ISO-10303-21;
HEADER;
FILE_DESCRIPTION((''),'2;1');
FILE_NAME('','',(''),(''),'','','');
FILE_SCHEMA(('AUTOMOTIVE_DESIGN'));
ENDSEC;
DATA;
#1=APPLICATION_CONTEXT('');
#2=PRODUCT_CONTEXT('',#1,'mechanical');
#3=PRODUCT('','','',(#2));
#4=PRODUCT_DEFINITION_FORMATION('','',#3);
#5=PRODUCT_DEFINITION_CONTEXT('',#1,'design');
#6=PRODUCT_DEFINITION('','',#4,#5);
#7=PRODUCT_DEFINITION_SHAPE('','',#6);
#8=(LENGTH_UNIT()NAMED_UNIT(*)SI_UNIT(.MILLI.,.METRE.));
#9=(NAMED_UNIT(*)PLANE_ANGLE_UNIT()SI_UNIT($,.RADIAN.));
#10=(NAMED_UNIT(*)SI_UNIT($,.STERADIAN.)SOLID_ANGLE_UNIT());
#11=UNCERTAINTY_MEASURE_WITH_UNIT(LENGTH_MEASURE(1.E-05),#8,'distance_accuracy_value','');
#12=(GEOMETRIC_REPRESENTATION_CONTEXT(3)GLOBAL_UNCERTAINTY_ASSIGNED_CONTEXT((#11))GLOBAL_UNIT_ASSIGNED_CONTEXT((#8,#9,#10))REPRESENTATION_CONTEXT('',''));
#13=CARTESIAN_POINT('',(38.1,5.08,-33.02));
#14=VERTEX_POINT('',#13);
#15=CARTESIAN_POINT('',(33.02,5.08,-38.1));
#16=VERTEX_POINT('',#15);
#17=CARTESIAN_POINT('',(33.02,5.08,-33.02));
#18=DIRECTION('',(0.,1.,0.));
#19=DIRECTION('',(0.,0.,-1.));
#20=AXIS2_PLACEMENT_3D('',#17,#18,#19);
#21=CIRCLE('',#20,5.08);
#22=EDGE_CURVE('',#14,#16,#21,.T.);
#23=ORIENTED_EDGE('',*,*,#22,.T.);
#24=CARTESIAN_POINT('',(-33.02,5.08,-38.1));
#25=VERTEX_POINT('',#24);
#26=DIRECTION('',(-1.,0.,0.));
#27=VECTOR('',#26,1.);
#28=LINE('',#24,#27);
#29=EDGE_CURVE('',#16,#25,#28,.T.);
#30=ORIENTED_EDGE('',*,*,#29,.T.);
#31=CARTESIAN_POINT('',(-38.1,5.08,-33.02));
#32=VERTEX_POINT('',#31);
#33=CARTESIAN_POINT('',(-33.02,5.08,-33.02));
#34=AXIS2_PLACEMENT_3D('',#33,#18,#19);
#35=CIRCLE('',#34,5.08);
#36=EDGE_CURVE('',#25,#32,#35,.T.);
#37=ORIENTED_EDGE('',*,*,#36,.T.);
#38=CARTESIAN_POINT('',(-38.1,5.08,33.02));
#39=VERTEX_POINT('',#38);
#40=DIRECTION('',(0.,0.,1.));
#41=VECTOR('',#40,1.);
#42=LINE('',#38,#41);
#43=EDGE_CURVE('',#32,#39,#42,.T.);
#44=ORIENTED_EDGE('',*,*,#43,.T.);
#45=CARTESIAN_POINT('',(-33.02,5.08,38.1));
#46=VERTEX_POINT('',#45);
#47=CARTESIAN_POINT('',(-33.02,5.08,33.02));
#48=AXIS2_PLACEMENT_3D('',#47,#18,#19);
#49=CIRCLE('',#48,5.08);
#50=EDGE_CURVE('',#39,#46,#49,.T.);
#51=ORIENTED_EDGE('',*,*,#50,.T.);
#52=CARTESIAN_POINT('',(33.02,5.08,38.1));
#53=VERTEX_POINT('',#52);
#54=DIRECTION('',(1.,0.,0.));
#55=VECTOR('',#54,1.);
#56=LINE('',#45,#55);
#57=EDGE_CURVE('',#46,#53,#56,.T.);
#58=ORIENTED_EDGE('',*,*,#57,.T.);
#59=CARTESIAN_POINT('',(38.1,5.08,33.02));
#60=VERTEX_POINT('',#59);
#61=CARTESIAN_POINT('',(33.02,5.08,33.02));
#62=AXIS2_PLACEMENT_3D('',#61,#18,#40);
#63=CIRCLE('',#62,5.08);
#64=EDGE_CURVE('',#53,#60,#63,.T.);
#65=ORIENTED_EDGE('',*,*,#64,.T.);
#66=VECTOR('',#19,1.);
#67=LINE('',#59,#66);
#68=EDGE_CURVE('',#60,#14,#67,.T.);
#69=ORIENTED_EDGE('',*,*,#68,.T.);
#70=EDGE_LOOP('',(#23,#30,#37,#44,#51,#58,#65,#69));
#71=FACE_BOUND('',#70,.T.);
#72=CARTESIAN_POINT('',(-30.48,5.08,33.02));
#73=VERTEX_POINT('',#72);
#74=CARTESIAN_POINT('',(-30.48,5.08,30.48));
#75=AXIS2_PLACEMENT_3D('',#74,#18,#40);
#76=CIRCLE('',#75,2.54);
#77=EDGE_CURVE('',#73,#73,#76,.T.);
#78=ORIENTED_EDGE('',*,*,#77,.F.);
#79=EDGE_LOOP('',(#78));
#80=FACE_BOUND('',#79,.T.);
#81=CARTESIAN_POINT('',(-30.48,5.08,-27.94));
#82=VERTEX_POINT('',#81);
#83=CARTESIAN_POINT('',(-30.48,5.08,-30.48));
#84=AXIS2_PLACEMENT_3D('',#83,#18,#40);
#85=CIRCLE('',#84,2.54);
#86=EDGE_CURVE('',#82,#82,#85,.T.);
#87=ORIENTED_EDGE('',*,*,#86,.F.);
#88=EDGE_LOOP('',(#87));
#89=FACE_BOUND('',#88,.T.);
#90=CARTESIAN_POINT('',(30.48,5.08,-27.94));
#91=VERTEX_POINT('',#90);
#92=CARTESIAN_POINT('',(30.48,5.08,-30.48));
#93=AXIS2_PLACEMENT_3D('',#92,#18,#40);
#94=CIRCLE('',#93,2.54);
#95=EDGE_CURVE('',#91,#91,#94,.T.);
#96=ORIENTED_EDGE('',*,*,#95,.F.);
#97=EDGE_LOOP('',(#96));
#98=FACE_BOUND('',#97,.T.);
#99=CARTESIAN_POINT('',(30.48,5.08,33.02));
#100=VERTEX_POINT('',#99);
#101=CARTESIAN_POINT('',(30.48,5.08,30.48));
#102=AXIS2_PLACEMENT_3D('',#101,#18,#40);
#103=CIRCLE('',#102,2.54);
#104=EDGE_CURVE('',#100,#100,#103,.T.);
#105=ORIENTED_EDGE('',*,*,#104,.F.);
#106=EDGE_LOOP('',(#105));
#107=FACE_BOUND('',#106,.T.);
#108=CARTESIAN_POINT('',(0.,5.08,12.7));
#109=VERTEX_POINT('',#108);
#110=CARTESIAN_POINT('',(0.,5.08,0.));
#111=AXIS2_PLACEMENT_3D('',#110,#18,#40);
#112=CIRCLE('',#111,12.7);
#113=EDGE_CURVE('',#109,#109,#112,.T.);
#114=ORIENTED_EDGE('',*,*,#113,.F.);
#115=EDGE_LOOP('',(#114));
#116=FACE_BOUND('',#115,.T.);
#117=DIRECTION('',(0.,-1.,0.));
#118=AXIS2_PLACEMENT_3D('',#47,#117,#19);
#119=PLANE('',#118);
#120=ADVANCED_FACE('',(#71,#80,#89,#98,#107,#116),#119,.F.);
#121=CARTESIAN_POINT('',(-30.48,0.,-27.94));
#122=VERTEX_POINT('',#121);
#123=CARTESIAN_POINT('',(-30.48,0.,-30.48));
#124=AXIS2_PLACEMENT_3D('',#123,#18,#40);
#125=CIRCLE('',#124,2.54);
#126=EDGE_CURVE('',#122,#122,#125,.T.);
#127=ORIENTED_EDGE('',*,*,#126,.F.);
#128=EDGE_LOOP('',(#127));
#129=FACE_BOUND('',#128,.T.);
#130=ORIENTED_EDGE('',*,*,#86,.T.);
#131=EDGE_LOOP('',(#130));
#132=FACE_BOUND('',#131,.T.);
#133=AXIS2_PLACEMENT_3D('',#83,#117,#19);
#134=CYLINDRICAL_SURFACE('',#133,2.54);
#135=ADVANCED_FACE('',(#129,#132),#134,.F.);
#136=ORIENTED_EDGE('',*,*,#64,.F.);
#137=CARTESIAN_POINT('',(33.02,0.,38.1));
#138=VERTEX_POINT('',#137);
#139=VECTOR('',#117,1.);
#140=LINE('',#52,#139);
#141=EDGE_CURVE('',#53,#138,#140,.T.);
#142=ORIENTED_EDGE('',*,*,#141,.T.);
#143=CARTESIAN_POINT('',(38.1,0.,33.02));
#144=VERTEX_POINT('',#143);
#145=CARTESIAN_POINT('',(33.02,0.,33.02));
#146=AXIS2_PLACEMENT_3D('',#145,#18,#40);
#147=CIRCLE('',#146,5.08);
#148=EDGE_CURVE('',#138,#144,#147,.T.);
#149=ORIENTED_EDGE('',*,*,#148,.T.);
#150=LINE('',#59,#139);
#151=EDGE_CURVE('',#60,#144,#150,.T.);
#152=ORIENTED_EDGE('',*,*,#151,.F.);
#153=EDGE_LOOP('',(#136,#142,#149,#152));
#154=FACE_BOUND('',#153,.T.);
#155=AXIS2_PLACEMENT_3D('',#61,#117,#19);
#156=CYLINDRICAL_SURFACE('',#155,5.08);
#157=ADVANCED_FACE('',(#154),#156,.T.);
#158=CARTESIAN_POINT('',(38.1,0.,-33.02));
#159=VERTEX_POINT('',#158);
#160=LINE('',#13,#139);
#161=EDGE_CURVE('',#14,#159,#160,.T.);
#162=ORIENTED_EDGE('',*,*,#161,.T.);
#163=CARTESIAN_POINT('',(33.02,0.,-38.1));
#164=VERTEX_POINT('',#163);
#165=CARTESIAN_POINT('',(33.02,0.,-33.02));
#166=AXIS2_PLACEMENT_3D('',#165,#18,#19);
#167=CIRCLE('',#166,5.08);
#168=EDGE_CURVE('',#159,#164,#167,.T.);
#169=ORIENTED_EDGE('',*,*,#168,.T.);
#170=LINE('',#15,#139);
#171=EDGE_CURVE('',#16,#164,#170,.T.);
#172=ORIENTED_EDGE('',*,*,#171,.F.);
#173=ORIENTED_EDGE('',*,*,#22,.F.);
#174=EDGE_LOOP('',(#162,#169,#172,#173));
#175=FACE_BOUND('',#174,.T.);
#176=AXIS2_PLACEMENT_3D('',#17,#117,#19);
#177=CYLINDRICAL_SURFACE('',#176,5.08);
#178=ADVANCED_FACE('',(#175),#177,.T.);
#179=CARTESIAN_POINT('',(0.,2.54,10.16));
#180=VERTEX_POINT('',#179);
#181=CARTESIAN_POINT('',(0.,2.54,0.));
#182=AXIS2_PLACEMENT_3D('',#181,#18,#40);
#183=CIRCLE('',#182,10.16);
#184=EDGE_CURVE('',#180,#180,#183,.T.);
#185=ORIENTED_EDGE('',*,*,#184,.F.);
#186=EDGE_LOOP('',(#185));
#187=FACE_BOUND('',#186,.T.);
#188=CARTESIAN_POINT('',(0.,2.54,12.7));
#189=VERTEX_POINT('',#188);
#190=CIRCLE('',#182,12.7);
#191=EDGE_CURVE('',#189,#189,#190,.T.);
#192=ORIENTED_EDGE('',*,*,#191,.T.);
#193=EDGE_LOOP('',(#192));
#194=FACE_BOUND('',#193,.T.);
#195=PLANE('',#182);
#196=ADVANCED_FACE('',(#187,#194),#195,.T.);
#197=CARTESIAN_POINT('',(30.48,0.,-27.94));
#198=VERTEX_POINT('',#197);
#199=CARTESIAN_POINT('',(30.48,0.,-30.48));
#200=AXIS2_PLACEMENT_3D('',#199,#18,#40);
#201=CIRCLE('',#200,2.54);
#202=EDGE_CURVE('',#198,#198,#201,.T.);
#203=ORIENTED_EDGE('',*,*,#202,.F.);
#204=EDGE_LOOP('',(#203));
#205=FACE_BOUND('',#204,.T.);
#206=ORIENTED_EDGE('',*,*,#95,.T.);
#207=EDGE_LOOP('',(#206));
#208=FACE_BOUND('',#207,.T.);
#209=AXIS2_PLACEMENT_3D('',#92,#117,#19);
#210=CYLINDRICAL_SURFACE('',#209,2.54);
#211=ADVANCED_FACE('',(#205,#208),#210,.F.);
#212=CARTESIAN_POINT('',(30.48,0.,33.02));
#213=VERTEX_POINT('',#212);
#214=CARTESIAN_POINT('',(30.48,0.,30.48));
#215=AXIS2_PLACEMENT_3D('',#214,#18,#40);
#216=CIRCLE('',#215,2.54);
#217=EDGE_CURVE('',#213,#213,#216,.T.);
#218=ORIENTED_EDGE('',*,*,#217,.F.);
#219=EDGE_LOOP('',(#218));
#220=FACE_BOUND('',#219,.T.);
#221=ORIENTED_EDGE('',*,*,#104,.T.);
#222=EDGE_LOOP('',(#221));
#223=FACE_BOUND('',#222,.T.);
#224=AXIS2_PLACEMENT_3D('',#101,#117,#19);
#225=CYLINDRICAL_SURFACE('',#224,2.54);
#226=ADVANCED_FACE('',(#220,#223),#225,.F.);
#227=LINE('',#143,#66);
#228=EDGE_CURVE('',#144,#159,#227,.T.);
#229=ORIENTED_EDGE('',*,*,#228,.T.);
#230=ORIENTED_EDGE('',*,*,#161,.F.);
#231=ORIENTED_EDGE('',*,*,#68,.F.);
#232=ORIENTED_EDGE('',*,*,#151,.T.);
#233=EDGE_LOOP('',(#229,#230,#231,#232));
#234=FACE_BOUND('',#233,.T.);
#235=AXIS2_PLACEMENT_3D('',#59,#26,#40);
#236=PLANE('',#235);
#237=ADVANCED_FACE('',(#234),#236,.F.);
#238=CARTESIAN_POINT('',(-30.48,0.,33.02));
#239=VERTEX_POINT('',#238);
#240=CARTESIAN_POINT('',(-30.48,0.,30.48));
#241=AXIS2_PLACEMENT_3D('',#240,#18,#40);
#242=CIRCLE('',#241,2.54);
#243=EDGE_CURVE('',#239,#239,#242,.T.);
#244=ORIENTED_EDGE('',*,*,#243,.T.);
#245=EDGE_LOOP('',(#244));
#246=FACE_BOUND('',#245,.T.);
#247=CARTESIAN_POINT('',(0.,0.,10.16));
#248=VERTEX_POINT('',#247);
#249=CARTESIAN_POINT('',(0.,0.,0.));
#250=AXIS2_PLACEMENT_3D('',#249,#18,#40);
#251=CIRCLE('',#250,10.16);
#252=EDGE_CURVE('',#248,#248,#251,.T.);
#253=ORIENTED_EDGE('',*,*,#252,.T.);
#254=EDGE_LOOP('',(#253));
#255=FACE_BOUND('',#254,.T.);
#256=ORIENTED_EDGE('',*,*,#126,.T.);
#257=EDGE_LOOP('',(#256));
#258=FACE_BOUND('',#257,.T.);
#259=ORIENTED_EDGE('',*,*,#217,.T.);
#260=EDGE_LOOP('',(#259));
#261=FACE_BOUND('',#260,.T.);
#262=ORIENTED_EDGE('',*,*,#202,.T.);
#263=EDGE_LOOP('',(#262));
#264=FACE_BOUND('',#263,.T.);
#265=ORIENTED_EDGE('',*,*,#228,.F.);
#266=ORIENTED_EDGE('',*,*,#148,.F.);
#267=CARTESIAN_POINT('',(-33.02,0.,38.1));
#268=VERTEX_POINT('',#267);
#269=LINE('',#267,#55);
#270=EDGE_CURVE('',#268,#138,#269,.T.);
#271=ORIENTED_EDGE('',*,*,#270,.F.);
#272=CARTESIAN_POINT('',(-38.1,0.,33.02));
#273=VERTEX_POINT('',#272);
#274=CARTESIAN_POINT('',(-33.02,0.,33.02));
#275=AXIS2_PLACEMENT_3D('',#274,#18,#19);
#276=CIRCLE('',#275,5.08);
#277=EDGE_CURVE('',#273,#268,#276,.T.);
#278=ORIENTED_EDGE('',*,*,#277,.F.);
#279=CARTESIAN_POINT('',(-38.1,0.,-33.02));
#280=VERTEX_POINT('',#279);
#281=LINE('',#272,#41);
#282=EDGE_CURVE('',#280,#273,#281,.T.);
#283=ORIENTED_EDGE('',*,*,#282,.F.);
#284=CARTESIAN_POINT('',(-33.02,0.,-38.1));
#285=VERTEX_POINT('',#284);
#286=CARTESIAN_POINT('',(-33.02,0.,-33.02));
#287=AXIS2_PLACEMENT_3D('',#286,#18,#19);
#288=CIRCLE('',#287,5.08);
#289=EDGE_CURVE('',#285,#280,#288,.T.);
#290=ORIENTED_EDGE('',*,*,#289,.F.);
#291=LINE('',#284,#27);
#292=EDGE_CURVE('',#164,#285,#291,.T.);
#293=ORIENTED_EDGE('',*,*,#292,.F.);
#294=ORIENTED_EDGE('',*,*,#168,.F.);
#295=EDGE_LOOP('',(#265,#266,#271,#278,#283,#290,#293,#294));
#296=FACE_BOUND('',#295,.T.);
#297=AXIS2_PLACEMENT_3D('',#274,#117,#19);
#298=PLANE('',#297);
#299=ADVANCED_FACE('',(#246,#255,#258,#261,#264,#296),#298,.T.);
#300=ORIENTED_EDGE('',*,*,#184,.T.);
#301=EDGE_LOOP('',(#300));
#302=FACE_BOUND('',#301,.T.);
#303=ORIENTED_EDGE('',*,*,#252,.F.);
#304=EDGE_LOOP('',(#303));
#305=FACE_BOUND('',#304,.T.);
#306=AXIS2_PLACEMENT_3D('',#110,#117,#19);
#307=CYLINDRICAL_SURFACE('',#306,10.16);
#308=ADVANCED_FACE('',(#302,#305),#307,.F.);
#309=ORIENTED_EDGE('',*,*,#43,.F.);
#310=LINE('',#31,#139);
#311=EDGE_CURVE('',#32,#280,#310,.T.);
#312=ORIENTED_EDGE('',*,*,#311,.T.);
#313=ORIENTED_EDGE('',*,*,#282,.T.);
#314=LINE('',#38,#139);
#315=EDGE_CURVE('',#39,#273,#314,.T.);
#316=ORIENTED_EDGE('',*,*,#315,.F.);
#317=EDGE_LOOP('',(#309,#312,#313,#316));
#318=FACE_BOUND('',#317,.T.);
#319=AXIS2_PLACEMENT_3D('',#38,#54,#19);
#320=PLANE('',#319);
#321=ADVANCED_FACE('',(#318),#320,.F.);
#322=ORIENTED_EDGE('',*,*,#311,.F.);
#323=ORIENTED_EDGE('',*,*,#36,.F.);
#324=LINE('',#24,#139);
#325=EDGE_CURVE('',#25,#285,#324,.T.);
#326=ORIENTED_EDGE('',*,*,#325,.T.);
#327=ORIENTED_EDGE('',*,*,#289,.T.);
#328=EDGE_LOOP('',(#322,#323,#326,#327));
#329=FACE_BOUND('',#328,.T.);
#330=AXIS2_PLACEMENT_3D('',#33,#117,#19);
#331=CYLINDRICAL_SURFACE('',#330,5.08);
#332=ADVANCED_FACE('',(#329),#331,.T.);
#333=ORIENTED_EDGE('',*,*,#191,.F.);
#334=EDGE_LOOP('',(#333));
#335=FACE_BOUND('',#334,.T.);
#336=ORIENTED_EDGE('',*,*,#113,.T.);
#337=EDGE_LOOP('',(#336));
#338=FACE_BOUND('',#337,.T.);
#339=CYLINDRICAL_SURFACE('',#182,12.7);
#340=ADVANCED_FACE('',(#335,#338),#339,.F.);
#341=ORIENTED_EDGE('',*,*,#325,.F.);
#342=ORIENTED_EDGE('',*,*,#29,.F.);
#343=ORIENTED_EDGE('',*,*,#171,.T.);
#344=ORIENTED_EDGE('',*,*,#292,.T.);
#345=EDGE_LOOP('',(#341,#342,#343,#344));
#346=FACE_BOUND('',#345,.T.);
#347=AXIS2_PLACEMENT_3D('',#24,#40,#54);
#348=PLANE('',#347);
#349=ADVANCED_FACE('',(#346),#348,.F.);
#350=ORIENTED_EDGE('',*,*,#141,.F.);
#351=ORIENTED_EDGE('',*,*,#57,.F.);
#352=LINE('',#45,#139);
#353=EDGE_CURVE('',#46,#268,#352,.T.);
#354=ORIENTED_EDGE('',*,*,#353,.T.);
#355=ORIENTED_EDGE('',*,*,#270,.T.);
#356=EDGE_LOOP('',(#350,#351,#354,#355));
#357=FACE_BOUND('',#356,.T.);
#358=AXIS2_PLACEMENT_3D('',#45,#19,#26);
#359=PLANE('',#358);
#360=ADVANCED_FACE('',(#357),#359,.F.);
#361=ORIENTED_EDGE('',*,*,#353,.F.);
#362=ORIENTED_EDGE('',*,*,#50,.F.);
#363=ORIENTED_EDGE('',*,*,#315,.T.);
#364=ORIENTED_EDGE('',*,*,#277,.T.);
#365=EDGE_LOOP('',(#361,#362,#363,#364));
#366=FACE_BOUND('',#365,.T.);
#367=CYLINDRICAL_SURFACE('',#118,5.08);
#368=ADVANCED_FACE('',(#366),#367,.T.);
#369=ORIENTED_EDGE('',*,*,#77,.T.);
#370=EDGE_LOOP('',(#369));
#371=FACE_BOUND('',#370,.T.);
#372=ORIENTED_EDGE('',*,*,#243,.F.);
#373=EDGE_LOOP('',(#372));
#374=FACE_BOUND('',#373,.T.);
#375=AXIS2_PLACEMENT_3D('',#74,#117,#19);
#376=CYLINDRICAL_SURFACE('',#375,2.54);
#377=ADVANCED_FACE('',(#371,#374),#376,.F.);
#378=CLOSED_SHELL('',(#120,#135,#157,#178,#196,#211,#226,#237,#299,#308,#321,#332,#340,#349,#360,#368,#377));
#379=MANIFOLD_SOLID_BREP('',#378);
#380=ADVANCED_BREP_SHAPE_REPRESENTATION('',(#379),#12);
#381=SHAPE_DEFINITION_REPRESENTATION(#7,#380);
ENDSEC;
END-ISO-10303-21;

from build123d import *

# Parameters (mm, degrees)
SKETCH1_R           = 10.16
SKETCH1_R_2         = 2.54
BOSS_EXTRUDE1_DEPTH = 5.08
SKETCH2_R           = 12.7
CUT_EXTRUDE1_DEPTH  = 2.54


with BuildPart() as part:
    # Sketch1 → Boss-Extrude1 (new body)
    with BuildSketch(Plane(origin=(0, 0, 0), x_dir=(1, 0, 0), z_dir=(0, 1, 0))):
        with BuildLine():
            Line((-33.02, -38.1), (33.02, -38.1))
            ThreePointArc((33.02, -38.1), (36.612102448, -36.612102448), (38.1, -33.02))
            Line((38.1, -33.02), (38.1, 33.02))
            ThreePointArc((38.1, 33.02), (36.612102448, 36.612102448), (33.02, 38.1))
            Line((33.02, 38.1), (-33.02, 38.1))
            ThreePointArc((-33.02, 38.1), (-36.612102448, 36.612102448), (-38.1, 33.02))
            Line((-38.1, 33.02), (-38.1, -33.02))
            ThreePointArc((-38.1, -33.02), (-36.612102448, -36.612102448), (-33.02, -38.1))
        make_face()
        Circle(SKETCH1_R, mode=Mode.SUBTRACT)
        with Locations((-30.48, 30.48)):
            Circle(SKETCH1_R_2, mode=Mode.SUBTRACT)
        with Locations((30.48, 30.48)):
            Circle(SKETCH1_R_2, mode=Mode.SUBTRACT)
        with Locations((30.48, -30.48)):
            Circle(SKETCH1_R_2, mode=Mode.SUBTRACT)
        with Locations((-30.48, -30.48)):
            Circle(SKETCH1_R_2, mode=Mode.SUBTRACT)
    extrude(amount=BOSS_EXTRUDE1_DEPTH)

    # Sketch2 → Cut-Extrude1 (cut)
    with BuildSketch(Plane(origin=(0, 5.08, 0), x_dir=(1, 0, 0), z_dir=(0, 1, 0))):
        Circle(SKETCH2_R)
    extrude(amount=-CUT_EXTRUDE1_DEPTH, mode=Mode.SUBTRACT)


solid = part.part
